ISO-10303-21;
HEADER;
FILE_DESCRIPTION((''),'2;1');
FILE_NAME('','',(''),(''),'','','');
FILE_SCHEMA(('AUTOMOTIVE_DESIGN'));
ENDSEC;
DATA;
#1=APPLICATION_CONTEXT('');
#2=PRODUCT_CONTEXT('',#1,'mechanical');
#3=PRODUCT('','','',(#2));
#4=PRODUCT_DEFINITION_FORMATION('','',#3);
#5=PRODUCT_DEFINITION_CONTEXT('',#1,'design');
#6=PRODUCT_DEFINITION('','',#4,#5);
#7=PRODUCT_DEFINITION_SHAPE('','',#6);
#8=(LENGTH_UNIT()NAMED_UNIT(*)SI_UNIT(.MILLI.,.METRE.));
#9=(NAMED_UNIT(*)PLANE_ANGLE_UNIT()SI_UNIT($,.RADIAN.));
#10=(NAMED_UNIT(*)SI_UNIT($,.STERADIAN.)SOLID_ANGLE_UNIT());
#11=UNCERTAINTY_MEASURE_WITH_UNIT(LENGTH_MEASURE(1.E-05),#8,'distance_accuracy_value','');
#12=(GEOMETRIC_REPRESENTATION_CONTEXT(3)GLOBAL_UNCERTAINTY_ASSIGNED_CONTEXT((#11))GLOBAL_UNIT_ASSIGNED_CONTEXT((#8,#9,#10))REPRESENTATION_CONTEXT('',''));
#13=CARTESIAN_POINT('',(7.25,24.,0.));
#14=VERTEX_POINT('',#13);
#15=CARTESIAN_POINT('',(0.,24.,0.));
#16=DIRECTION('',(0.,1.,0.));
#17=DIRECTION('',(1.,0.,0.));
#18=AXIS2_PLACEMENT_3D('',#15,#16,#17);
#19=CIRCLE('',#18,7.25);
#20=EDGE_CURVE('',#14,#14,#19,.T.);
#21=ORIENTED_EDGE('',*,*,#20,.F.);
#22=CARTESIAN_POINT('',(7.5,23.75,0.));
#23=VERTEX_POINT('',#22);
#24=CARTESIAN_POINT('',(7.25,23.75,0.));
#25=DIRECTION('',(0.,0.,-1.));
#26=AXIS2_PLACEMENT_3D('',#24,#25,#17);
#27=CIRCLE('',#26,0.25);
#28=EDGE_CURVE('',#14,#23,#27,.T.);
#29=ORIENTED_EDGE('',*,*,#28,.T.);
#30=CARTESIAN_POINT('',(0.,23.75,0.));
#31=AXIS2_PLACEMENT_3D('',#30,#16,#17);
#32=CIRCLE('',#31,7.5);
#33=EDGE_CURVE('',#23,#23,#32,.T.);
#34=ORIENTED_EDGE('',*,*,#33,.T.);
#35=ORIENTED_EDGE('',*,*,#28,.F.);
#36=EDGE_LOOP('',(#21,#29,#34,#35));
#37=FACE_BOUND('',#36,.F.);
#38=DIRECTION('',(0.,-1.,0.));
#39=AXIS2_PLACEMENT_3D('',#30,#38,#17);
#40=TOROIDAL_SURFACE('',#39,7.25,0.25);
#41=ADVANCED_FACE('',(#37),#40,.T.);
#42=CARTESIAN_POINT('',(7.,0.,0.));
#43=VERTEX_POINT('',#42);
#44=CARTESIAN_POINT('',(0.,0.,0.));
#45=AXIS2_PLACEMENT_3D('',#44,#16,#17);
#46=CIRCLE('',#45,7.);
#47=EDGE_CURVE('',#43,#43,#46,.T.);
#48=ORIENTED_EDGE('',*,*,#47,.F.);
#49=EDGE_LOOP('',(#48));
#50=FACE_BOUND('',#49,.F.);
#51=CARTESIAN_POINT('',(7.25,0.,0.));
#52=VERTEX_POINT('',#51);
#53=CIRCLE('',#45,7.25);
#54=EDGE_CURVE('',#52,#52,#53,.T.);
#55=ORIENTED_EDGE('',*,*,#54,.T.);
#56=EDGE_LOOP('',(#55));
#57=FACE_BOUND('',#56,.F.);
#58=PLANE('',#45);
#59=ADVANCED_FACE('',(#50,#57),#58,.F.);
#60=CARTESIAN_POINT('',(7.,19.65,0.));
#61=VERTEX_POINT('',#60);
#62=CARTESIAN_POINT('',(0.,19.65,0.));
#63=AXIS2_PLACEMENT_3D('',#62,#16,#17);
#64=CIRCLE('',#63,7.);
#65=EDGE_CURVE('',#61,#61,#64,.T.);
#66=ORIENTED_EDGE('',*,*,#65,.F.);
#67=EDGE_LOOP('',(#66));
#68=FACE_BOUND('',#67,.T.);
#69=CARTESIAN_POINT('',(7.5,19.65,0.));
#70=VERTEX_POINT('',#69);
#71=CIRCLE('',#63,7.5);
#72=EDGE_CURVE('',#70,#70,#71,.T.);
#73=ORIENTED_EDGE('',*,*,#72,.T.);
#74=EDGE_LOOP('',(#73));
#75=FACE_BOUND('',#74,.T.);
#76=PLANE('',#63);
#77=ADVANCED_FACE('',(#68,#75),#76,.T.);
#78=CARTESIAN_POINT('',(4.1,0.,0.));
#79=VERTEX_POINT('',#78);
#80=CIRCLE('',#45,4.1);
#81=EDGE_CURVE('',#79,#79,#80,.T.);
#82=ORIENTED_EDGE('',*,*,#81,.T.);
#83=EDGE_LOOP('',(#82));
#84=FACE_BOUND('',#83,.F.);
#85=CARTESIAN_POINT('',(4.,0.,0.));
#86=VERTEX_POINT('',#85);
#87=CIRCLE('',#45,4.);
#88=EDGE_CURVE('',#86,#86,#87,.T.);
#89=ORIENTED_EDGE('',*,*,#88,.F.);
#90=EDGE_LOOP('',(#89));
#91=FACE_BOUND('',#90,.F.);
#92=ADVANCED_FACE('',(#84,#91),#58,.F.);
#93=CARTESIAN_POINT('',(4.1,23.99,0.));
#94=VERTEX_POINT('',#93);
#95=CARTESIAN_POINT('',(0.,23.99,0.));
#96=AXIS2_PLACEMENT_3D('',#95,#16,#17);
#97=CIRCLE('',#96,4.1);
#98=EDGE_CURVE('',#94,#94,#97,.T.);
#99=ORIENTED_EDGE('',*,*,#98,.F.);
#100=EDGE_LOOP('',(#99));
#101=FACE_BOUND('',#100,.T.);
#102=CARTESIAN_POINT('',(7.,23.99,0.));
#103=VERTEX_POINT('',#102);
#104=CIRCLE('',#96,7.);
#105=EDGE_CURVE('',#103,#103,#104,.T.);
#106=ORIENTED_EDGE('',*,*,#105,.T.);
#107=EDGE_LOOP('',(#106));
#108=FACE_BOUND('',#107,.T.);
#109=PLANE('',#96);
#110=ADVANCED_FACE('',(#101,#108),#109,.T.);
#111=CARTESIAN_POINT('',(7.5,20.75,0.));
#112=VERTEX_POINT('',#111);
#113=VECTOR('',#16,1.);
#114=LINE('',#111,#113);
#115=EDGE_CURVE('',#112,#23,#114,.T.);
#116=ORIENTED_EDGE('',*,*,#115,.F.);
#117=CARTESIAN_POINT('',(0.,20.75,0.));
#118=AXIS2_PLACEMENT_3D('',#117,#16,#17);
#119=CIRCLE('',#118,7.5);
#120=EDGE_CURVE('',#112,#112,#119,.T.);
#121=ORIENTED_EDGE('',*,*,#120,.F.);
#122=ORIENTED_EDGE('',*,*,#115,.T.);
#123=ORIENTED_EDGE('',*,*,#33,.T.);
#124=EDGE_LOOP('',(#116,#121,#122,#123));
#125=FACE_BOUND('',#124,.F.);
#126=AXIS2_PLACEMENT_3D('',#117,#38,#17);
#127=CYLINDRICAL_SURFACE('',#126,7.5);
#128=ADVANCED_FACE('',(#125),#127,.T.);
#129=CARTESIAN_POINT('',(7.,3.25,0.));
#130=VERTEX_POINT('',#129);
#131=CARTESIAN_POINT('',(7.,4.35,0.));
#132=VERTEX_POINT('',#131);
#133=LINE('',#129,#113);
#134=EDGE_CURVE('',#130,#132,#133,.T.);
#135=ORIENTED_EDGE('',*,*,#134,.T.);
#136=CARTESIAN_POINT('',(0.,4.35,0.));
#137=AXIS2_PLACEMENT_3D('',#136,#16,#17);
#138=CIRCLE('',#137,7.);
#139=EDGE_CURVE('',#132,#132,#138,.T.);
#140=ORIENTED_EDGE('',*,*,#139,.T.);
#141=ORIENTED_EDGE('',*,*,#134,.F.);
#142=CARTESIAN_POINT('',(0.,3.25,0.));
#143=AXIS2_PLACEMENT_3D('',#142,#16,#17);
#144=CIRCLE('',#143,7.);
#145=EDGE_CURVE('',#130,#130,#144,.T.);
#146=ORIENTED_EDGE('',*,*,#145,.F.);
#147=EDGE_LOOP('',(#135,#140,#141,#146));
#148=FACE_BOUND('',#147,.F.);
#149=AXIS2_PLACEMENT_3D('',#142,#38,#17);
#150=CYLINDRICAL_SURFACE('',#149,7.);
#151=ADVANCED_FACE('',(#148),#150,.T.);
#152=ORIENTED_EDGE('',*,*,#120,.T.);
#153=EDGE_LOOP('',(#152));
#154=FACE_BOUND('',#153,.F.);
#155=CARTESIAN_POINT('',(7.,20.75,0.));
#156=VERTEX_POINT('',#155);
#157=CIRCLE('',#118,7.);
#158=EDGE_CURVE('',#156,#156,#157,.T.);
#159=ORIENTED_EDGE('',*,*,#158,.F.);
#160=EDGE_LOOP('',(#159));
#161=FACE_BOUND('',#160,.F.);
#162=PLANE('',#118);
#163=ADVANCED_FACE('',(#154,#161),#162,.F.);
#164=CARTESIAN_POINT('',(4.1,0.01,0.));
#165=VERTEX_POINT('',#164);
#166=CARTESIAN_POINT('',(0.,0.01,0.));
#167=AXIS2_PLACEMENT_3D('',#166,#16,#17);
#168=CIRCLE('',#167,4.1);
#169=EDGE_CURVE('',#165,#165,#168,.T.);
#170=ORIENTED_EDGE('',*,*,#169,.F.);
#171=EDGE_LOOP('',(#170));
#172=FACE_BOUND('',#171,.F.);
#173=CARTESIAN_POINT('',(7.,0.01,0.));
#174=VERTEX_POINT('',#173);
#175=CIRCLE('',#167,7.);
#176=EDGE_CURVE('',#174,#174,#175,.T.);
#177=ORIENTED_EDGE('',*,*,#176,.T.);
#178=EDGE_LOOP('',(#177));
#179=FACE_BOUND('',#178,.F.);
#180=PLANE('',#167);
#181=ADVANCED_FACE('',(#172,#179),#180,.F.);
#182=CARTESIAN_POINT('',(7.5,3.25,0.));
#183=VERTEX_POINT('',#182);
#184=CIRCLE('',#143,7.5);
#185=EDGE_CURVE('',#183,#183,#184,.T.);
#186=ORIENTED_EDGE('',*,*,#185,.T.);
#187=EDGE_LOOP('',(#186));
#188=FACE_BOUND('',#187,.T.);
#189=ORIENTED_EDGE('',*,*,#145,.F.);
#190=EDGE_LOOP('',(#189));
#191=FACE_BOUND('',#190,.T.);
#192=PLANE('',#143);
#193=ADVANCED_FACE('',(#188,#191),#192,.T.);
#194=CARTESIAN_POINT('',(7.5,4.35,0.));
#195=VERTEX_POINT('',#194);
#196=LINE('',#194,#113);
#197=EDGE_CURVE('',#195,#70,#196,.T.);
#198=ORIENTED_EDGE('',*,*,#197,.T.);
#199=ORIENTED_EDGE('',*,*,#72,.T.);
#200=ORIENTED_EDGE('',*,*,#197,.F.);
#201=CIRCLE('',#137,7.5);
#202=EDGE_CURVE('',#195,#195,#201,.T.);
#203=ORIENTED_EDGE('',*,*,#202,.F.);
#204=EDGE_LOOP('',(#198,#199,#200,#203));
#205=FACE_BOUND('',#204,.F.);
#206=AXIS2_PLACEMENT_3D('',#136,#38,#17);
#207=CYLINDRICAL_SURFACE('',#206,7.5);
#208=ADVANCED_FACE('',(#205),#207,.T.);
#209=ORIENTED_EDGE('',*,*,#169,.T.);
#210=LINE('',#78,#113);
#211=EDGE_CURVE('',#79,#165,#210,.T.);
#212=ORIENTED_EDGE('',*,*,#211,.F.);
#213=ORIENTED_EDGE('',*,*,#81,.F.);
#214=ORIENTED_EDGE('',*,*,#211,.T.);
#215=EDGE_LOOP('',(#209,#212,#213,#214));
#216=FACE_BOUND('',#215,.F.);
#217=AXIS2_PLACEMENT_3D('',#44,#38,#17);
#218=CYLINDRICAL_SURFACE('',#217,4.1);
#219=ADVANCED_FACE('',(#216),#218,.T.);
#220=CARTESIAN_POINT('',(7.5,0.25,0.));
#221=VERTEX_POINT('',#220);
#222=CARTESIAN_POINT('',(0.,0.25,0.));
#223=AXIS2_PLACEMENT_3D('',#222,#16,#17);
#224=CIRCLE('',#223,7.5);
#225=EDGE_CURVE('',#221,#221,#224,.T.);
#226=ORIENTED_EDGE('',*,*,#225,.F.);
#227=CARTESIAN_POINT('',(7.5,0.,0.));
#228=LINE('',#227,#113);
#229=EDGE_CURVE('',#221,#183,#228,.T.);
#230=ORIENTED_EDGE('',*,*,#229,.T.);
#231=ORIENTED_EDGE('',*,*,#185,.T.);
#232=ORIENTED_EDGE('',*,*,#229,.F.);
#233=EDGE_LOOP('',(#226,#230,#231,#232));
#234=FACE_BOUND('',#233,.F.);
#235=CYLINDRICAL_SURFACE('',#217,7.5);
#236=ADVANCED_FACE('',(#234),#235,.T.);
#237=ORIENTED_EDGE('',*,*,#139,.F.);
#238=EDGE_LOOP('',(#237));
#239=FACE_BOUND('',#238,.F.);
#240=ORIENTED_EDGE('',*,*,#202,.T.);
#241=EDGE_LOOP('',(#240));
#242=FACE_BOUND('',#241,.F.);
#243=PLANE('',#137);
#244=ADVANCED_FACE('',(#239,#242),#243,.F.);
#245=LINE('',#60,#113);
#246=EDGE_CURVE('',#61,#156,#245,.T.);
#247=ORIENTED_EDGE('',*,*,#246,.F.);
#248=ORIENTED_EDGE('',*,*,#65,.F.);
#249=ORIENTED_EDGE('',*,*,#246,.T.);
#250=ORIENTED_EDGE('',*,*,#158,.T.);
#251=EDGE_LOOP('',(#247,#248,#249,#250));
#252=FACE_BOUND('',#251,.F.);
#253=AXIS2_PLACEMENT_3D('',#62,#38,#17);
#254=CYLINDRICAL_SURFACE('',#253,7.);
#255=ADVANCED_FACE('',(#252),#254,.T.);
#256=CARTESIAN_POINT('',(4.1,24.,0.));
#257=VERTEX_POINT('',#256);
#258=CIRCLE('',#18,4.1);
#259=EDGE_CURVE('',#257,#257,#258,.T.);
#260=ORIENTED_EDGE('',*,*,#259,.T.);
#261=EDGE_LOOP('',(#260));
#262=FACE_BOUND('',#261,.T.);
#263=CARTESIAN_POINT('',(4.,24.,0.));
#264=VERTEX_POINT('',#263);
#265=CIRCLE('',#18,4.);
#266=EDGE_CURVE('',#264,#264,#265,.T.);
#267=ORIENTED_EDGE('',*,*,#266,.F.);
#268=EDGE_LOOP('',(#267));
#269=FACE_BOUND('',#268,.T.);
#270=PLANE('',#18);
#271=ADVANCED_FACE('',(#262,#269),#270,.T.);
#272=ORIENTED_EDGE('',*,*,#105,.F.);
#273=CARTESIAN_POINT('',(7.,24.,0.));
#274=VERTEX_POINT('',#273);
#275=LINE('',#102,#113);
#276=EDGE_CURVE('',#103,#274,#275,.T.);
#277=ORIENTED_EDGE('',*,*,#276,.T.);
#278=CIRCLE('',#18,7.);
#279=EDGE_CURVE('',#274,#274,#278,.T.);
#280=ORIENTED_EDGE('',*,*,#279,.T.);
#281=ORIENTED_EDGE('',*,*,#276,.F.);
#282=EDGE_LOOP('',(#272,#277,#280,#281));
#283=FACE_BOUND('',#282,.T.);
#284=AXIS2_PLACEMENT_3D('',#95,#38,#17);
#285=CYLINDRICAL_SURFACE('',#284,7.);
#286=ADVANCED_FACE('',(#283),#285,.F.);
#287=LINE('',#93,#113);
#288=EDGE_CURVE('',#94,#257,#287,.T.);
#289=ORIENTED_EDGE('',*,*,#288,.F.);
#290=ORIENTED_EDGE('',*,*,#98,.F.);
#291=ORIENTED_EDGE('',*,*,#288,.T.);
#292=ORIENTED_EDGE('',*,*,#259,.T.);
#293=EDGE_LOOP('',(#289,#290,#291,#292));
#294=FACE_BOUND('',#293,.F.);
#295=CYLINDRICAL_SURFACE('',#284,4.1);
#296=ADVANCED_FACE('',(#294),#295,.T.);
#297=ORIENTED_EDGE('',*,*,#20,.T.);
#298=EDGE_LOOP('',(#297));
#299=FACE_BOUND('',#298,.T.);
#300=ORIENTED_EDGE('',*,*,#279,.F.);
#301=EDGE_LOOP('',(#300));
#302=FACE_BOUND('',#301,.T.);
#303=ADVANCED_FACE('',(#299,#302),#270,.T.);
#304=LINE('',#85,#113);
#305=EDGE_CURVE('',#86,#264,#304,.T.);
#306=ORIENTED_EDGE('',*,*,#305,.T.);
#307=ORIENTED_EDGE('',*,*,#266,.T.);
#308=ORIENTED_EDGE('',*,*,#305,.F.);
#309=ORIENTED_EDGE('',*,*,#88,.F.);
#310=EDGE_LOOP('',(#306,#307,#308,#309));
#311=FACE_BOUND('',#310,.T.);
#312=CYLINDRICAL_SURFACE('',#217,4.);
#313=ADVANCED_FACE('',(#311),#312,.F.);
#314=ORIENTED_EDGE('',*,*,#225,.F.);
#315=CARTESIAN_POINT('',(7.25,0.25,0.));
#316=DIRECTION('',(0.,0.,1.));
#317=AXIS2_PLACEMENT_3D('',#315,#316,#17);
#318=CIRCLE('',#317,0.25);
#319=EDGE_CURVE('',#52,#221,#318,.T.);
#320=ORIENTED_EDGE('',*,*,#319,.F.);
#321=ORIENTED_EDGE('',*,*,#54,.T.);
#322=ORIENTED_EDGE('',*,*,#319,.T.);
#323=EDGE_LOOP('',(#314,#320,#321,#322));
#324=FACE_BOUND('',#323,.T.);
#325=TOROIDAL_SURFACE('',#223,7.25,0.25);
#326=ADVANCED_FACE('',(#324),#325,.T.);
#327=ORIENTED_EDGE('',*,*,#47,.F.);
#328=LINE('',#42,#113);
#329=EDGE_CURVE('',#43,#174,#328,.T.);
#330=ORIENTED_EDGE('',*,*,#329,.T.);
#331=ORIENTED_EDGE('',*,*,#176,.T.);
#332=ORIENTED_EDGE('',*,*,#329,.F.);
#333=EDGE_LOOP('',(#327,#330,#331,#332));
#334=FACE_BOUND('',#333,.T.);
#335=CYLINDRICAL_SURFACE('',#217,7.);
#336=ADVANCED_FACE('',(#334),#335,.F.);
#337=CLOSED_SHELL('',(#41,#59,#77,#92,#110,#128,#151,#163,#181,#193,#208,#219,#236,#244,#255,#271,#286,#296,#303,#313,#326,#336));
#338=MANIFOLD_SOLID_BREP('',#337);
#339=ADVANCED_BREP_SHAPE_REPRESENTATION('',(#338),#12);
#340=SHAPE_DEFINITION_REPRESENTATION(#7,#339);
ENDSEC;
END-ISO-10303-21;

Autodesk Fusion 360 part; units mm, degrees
sketch "front" plane through (0, 0, 0) normal (0, 1, 0) x (1, 0, 0) in component "LM8UU"
  circle A0 centre (0, 0) radius 4
  circle A1 centre (0, 0) radius 7
  circle A2 centre (0, 0) radius 7.5
  circle A3 centre (0, 0) radius 4.1
  dimension "d1" = 8
  dimension "d2" = 14
  dimension "d3" = 15
  dimension "d20" = 8.2
extrude "Extrude1" add sketch "front" along normal blind 3.25 contours A1 | A2 | A3 in component "LM8UU"
extrude "Extrude2" add sketch "front" along normal blind 1.1 from surface at 3.25 contours A1 | A3 in component "LM8UU"
extrude "Extrude3" add sketch "front" along normal blind 15.3 from surface at 4.35 contours A1 | A2 | A3 in component "LM8UU"
extrude "Extrude4" add sketch "front" along normal blind 1.1 from surface at 19.65 contours A1 | A3 in component "LM8UU"
extrude "Extrude5" add sketch "front" along normal blind 3.25 from surface at 20.75 contours A1 | A2 | A3 in component "LM8UU"
fillet "Fillet1" radius 0.25 2 edges at (-6.9925, 0, 2.7121) (-6.9925, 24, 2.7121) in component "LM8UU"
extrude "Extrude6" cut sketch "front" along normal blind 0.01 contours A1 in component "LM8UU"
extrude "Extrude7" cut sketch "front" along normal blind 0.01 from surface at 23.99 contours A1 in component "LM8UU"
component "LM8UU" placed x (1, 0, 0) y (0, 1, 0) z (0, 0, 1) at (0, 0, 0)
equation "d9 = 3.25 mm + 1.1 mm"
equation "d10 = 17.5 mm - 2.2 mm"
equation "d12 = 3.25 mm + 17.5 mm - 1.1 mm"
equation "d15 = 3.25 mm + 17.5 mm"
equation "d23 = 24 mm - 0.01 mm"
